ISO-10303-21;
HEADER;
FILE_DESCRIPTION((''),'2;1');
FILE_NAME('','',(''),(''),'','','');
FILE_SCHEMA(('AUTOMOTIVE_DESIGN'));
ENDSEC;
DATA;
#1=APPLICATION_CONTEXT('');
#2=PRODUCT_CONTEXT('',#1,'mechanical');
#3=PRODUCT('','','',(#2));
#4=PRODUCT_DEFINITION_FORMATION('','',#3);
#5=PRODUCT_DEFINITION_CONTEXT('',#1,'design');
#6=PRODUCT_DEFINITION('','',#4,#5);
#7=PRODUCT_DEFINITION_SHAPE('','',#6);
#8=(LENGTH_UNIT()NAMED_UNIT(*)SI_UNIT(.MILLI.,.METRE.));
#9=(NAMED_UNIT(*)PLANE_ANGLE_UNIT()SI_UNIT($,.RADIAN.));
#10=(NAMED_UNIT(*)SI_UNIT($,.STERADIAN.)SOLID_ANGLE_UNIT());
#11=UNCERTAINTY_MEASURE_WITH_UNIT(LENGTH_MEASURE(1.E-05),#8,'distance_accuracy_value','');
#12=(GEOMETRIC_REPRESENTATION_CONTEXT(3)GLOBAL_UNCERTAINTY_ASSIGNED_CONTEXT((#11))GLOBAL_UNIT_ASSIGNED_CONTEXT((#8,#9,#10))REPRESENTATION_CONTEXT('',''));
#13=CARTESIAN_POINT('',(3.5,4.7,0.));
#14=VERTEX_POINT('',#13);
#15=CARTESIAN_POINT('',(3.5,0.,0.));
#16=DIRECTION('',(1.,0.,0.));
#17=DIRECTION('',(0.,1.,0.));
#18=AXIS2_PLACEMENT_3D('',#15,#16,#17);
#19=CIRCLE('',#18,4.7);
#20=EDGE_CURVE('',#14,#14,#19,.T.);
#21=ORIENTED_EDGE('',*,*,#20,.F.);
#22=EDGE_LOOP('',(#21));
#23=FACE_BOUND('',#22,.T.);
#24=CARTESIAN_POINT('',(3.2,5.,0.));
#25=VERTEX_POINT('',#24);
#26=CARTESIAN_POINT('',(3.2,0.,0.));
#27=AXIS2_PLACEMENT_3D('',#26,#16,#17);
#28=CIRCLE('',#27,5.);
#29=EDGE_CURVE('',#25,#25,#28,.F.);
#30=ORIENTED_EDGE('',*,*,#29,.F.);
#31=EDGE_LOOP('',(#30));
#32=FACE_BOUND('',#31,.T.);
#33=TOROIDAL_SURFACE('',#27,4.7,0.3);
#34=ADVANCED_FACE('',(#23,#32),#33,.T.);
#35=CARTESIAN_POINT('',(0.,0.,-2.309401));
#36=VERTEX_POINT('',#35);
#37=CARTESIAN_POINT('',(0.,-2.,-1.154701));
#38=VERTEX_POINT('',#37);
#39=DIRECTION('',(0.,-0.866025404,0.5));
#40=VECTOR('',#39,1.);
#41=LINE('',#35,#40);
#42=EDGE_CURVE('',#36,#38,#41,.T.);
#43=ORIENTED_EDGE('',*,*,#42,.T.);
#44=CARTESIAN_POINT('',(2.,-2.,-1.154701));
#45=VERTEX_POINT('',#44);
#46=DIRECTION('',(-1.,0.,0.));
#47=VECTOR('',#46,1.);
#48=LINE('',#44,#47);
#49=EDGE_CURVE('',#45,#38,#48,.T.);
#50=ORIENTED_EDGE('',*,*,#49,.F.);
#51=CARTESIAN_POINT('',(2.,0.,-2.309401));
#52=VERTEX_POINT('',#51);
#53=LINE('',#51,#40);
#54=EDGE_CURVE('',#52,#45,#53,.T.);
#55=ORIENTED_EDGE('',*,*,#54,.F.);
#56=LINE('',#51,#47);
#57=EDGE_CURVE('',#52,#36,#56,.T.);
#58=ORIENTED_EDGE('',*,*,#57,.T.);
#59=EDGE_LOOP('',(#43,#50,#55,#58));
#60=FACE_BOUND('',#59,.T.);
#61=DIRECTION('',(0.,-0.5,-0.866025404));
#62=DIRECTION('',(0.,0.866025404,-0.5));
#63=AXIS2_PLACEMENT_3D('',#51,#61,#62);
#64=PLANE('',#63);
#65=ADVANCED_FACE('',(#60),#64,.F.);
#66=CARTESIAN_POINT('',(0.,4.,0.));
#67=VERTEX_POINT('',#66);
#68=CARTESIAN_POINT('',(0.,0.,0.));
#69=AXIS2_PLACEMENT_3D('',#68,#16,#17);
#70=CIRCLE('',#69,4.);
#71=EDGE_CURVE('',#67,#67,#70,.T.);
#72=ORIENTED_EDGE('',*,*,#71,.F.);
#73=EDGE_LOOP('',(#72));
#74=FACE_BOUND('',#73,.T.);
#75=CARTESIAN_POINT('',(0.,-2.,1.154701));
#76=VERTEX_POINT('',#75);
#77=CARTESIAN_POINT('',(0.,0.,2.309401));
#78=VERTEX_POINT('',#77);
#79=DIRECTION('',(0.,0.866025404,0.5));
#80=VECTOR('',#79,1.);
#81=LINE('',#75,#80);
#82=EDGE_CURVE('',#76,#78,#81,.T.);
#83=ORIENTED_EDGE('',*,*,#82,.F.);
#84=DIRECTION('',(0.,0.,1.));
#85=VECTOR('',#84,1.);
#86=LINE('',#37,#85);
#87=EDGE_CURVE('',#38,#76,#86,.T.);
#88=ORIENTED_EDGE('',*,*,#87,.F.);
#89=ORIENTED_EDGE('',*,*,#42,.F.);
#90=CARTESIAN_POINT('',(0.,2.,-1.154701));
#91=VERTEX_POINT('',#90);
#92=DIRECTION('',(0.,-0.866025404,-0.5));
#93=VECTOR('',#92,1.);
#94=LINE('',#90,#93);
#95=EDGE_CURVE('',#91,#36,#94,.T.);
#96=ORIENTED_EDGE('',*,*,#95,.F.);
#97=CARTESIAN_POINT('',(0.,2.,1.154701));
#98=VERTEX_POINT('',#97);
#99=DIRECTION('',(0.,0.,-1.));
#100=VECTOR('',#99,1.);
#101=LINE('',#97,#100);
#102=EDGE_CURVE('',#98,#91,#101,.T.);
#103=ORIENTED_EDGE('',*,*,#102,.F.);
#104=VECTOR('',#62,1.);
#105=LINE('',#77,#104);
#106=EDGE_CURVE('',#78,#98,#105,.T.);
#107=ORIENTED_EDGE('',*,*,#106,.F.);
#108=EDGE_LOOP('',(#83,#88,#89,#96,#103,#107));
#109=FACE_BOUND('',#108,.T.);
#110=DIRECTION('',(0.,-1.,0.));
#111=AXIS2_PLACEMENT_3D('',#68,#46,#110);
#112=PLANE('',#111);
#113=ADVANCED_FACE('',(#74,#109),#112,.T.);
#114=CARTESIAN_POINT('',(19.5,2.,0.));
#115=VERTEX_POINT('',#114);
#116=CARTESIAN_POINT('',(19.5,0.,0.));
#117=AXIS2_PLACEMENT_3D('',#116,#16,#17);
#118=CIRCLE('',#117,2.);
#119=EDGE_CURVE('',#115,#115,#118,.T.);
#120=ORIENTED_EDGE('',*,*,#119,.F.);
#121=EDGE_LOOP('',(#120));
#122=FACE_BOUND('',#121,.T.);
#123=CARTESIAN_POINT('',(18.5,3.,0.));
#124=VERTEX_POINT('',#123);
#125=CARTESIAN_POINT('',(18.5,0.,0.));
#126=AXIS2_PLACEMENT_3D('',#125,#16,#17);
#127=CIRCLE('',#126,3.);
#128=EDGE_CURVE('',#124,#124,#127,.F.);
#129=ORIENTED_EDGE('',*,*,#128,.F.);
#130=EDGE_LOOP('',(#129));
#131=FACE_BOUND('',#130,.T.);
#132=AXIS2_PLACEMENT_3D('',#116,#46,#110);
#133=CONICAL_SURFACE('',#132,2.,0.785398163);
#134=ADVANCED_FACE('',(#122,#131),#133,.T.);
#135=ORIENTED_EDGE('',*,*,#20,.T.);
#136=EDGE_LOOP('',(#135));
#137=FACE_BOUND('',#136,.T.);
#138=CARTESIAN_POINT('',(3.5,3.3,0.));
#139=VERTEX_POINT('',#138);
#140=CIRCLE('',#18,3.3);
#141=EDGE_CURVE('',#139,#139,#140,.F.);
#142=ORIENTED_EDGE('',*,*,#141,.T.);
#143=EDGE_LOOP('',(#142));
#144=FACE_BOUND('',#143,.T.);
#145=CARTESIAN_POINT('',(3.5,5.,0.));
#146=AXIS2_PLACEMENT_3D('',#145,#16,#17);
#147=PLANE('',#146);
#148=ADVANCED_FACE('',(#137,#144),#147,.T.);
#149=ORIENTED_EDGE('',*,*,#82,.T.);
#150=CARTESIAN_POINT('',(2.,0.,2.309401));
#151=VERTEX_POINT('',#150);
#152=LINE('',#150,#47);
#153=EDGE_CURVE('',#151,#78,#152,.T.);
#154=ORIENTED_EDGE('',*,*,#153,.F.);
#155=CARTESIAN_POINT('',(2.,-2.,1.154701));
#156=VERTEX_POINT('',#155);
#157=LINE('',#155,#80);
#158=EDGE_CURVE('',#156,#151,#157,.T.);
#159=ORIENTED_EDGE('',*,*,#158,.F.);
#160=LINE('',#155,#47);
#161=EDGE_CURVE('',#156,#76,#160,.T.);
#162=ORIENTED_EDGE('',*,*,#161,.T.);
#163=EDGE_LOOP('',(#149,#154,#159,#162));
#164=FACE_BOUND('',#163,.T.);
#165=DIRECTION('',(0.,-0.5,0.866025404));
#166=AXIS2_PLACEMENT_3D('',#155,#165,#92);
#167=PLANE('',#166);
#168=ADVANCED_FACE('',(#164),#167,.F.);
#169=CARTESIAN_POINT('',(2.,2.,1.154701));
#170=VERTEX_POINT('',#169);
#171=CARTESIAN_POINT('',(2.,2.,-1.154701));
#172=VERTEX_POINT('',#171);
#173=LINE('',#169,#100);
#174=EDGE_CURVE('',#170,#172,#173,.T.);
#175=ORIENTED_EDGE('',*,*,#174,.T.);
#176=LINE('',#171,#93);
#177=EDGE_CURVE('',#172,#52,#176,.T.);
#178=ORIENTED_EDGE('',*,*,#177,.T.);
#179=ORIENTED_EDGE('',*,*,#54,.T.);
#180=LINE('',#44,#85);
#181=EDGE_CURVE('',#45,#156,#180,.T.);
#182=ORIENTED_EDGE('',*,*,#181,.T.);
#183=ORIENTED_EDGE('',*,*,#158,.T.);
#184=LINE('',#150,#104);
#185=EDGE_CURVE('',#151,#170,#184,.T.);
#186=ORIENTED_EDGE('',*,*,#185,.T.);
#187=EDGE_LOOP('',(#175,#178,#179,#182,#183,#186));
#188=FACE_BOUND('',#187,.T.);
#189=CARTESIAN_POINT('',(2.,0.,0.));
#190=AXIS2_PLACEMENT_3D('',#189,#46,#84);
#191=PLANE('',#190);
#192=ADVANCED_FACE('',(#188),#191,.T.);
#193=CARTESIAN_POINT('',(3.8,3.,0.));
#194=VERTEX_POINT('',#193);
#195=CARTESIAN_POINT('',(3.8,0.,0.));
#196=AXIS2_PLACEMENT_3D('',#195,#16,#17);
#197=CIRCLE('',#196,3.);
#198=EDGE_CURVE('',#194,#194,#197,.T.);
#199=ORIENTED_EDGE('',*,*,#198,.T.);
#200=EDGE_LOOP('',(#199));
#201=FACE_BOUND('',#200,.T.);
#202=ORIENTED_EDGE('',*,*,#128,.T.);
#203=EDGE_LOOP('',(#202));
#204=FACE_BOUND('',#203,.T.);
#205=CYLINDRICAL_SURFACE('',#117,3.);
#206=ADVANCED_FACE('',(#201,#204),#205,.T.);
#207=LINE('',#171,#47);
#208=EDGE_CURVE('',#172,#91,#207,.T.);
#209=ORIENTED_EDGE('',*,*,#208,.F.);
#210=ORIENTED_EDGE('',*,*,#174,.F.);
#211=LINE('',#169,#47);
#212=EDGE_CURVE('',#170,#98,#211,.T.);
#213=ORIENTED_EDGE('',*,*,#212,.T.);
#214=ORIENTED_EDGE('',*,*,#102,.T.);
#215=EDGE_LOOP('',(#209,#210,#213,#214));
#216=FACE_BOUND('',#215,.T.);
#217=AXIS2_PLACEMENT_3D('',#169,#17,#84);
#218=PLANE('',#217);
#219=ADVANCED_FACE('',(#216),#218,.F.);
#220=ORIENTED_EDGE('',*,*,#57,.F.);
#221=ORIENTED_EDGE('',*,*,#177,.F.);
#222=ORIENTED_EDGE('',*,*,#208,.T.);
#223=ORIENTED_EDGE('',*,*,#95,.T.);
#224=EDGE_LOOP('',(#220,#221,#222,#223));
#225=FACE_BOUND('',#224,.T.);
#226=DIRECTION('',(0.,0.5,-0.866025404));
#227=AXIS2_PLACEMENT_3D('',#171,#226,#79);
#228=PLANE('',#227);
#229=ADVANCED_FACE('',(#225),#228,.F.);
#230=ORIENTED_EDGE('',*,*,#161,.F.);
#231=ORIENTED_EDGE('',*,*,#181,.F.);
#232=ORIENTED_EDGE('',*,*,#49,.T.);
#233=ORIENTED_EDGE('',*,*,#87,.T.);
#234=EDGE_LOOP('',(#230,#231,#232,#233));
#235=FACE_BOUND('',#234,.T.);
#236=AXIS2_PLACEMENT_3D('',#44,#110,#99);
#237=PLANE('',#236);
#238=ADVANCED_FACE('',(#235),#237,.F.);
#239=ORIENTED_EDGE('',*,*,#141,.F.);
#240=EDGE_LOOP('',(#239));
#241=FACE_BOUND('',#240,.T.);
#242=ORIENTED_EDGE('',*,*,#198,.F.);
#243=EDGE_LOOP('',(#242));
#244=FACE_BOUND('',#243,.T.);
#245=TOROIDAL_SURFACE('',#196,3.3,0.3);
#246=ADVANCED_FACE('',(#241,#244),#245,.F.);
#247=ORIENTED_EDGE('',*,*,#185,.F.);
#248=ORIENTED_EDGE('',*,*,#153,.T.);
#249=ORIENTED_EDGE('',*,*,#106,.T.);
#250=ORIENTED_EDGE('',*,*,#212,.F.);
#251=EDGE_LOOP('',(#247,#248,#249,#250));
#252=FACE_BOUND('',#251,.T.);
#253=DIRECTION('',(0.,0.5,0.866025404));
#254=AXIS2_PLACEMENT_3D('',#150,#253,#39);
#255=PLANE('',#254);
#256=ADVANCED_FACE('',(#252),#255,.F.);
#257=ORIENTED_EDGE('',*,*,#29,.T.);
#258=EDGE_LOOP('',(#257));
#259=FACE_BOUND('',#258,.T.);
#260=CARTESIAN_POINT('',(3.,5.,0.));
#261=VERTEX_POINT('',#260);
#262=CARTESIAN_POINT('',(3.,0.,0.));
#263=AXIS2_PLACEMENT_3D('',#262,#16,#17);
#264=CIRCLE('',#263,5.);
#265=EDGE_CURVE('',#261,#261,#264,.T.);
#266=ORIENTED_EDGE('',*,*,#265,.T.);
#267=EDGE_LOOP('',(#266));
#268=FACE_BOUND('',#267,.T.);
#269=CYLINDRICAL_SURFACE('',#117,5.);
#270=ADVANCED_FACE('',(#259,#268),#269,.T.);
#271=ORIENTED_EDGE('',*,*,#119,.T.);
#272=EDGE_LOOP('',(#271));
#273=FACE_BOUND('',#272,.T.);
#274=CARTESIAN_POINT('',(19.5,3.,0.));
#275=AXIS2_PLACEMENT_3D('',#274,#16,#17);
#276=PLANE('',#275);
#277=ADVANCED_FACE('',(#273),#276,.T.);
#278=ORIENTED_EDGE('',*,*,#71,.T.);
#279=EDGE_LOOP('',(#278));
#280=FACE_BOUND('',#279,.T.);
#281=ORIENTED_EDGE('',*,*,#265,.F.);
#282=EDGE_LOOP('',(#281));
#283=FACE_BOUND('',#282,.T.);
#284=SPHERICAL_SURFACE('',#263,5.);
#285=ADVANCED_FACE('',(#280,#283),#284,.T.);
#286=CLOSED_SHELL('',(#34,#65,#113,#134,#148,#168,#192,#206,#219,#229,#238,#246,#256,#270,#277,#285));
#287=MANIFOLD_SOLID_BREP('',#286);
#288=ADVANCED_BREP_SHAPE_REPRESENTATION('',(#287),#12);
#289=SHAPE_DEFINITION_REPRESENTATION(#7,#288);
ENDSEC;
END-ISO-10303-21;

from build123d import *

# Parameters (mm, degrees)
CUT_EXTRUDE_1_DEPTH = 2
FILLET_1_R          = 0.3
CHAMFER_1_SIZE      = 1


with BuildPart() as part:
    # Эскиз1 → Повернуть1 (revolve)
    with BuildSketch(Plane.XY):
        with BuildLine():
            Line((0, 0), (0, 4))
            ThreePointArc((0, 4), (1.41886117, 4.74341649), (3, 5))
            Line((3, 5), (3.5, 5))
            Line((3.5, 5), (3.5, 3))
            Line((3.5, 3), (19.5, 3))
            Line((19.5, 3), (19.5, 0))
            Line((19.5, 0), (0, 0))
        make_face()
    revolve(axis=Axis((19.5, 0, 0), (-1, 0, 0)))

    # Эскиз2 → Вырез-Вытянуть1 (cut)
    with BuildSketch(Plane.ZY):
        Polygon((1.154700538, 2), (-1.154700538, 2), (-2.309401077, 0), (-1.154700538, -2), (1.154700538, -2), (2.309401077, 0), align=None)
    extrude(amount=-CUT_EXTRUDE_1_DEPTH, mode=Mode.SUBTRACT)

    # Скругление1
    fillet_1_edges = [part.edges().sort_by_distance(p)[0] for p in [
        (3.5, -3, 0),
        (3.5, -5, 0),
    ]]
    fillet(fillet_1_edges, radius=FILLET_1_R)

    # Фаска1
    chamfer_1_edges = [part.edges().sort_by_distance(p)[0] for p in [
        (19.5, -3, 0),
    ]]
    chamfer(chamfer_1_edges, length=CHAMFER_1_SIZE)


solid = part.part
